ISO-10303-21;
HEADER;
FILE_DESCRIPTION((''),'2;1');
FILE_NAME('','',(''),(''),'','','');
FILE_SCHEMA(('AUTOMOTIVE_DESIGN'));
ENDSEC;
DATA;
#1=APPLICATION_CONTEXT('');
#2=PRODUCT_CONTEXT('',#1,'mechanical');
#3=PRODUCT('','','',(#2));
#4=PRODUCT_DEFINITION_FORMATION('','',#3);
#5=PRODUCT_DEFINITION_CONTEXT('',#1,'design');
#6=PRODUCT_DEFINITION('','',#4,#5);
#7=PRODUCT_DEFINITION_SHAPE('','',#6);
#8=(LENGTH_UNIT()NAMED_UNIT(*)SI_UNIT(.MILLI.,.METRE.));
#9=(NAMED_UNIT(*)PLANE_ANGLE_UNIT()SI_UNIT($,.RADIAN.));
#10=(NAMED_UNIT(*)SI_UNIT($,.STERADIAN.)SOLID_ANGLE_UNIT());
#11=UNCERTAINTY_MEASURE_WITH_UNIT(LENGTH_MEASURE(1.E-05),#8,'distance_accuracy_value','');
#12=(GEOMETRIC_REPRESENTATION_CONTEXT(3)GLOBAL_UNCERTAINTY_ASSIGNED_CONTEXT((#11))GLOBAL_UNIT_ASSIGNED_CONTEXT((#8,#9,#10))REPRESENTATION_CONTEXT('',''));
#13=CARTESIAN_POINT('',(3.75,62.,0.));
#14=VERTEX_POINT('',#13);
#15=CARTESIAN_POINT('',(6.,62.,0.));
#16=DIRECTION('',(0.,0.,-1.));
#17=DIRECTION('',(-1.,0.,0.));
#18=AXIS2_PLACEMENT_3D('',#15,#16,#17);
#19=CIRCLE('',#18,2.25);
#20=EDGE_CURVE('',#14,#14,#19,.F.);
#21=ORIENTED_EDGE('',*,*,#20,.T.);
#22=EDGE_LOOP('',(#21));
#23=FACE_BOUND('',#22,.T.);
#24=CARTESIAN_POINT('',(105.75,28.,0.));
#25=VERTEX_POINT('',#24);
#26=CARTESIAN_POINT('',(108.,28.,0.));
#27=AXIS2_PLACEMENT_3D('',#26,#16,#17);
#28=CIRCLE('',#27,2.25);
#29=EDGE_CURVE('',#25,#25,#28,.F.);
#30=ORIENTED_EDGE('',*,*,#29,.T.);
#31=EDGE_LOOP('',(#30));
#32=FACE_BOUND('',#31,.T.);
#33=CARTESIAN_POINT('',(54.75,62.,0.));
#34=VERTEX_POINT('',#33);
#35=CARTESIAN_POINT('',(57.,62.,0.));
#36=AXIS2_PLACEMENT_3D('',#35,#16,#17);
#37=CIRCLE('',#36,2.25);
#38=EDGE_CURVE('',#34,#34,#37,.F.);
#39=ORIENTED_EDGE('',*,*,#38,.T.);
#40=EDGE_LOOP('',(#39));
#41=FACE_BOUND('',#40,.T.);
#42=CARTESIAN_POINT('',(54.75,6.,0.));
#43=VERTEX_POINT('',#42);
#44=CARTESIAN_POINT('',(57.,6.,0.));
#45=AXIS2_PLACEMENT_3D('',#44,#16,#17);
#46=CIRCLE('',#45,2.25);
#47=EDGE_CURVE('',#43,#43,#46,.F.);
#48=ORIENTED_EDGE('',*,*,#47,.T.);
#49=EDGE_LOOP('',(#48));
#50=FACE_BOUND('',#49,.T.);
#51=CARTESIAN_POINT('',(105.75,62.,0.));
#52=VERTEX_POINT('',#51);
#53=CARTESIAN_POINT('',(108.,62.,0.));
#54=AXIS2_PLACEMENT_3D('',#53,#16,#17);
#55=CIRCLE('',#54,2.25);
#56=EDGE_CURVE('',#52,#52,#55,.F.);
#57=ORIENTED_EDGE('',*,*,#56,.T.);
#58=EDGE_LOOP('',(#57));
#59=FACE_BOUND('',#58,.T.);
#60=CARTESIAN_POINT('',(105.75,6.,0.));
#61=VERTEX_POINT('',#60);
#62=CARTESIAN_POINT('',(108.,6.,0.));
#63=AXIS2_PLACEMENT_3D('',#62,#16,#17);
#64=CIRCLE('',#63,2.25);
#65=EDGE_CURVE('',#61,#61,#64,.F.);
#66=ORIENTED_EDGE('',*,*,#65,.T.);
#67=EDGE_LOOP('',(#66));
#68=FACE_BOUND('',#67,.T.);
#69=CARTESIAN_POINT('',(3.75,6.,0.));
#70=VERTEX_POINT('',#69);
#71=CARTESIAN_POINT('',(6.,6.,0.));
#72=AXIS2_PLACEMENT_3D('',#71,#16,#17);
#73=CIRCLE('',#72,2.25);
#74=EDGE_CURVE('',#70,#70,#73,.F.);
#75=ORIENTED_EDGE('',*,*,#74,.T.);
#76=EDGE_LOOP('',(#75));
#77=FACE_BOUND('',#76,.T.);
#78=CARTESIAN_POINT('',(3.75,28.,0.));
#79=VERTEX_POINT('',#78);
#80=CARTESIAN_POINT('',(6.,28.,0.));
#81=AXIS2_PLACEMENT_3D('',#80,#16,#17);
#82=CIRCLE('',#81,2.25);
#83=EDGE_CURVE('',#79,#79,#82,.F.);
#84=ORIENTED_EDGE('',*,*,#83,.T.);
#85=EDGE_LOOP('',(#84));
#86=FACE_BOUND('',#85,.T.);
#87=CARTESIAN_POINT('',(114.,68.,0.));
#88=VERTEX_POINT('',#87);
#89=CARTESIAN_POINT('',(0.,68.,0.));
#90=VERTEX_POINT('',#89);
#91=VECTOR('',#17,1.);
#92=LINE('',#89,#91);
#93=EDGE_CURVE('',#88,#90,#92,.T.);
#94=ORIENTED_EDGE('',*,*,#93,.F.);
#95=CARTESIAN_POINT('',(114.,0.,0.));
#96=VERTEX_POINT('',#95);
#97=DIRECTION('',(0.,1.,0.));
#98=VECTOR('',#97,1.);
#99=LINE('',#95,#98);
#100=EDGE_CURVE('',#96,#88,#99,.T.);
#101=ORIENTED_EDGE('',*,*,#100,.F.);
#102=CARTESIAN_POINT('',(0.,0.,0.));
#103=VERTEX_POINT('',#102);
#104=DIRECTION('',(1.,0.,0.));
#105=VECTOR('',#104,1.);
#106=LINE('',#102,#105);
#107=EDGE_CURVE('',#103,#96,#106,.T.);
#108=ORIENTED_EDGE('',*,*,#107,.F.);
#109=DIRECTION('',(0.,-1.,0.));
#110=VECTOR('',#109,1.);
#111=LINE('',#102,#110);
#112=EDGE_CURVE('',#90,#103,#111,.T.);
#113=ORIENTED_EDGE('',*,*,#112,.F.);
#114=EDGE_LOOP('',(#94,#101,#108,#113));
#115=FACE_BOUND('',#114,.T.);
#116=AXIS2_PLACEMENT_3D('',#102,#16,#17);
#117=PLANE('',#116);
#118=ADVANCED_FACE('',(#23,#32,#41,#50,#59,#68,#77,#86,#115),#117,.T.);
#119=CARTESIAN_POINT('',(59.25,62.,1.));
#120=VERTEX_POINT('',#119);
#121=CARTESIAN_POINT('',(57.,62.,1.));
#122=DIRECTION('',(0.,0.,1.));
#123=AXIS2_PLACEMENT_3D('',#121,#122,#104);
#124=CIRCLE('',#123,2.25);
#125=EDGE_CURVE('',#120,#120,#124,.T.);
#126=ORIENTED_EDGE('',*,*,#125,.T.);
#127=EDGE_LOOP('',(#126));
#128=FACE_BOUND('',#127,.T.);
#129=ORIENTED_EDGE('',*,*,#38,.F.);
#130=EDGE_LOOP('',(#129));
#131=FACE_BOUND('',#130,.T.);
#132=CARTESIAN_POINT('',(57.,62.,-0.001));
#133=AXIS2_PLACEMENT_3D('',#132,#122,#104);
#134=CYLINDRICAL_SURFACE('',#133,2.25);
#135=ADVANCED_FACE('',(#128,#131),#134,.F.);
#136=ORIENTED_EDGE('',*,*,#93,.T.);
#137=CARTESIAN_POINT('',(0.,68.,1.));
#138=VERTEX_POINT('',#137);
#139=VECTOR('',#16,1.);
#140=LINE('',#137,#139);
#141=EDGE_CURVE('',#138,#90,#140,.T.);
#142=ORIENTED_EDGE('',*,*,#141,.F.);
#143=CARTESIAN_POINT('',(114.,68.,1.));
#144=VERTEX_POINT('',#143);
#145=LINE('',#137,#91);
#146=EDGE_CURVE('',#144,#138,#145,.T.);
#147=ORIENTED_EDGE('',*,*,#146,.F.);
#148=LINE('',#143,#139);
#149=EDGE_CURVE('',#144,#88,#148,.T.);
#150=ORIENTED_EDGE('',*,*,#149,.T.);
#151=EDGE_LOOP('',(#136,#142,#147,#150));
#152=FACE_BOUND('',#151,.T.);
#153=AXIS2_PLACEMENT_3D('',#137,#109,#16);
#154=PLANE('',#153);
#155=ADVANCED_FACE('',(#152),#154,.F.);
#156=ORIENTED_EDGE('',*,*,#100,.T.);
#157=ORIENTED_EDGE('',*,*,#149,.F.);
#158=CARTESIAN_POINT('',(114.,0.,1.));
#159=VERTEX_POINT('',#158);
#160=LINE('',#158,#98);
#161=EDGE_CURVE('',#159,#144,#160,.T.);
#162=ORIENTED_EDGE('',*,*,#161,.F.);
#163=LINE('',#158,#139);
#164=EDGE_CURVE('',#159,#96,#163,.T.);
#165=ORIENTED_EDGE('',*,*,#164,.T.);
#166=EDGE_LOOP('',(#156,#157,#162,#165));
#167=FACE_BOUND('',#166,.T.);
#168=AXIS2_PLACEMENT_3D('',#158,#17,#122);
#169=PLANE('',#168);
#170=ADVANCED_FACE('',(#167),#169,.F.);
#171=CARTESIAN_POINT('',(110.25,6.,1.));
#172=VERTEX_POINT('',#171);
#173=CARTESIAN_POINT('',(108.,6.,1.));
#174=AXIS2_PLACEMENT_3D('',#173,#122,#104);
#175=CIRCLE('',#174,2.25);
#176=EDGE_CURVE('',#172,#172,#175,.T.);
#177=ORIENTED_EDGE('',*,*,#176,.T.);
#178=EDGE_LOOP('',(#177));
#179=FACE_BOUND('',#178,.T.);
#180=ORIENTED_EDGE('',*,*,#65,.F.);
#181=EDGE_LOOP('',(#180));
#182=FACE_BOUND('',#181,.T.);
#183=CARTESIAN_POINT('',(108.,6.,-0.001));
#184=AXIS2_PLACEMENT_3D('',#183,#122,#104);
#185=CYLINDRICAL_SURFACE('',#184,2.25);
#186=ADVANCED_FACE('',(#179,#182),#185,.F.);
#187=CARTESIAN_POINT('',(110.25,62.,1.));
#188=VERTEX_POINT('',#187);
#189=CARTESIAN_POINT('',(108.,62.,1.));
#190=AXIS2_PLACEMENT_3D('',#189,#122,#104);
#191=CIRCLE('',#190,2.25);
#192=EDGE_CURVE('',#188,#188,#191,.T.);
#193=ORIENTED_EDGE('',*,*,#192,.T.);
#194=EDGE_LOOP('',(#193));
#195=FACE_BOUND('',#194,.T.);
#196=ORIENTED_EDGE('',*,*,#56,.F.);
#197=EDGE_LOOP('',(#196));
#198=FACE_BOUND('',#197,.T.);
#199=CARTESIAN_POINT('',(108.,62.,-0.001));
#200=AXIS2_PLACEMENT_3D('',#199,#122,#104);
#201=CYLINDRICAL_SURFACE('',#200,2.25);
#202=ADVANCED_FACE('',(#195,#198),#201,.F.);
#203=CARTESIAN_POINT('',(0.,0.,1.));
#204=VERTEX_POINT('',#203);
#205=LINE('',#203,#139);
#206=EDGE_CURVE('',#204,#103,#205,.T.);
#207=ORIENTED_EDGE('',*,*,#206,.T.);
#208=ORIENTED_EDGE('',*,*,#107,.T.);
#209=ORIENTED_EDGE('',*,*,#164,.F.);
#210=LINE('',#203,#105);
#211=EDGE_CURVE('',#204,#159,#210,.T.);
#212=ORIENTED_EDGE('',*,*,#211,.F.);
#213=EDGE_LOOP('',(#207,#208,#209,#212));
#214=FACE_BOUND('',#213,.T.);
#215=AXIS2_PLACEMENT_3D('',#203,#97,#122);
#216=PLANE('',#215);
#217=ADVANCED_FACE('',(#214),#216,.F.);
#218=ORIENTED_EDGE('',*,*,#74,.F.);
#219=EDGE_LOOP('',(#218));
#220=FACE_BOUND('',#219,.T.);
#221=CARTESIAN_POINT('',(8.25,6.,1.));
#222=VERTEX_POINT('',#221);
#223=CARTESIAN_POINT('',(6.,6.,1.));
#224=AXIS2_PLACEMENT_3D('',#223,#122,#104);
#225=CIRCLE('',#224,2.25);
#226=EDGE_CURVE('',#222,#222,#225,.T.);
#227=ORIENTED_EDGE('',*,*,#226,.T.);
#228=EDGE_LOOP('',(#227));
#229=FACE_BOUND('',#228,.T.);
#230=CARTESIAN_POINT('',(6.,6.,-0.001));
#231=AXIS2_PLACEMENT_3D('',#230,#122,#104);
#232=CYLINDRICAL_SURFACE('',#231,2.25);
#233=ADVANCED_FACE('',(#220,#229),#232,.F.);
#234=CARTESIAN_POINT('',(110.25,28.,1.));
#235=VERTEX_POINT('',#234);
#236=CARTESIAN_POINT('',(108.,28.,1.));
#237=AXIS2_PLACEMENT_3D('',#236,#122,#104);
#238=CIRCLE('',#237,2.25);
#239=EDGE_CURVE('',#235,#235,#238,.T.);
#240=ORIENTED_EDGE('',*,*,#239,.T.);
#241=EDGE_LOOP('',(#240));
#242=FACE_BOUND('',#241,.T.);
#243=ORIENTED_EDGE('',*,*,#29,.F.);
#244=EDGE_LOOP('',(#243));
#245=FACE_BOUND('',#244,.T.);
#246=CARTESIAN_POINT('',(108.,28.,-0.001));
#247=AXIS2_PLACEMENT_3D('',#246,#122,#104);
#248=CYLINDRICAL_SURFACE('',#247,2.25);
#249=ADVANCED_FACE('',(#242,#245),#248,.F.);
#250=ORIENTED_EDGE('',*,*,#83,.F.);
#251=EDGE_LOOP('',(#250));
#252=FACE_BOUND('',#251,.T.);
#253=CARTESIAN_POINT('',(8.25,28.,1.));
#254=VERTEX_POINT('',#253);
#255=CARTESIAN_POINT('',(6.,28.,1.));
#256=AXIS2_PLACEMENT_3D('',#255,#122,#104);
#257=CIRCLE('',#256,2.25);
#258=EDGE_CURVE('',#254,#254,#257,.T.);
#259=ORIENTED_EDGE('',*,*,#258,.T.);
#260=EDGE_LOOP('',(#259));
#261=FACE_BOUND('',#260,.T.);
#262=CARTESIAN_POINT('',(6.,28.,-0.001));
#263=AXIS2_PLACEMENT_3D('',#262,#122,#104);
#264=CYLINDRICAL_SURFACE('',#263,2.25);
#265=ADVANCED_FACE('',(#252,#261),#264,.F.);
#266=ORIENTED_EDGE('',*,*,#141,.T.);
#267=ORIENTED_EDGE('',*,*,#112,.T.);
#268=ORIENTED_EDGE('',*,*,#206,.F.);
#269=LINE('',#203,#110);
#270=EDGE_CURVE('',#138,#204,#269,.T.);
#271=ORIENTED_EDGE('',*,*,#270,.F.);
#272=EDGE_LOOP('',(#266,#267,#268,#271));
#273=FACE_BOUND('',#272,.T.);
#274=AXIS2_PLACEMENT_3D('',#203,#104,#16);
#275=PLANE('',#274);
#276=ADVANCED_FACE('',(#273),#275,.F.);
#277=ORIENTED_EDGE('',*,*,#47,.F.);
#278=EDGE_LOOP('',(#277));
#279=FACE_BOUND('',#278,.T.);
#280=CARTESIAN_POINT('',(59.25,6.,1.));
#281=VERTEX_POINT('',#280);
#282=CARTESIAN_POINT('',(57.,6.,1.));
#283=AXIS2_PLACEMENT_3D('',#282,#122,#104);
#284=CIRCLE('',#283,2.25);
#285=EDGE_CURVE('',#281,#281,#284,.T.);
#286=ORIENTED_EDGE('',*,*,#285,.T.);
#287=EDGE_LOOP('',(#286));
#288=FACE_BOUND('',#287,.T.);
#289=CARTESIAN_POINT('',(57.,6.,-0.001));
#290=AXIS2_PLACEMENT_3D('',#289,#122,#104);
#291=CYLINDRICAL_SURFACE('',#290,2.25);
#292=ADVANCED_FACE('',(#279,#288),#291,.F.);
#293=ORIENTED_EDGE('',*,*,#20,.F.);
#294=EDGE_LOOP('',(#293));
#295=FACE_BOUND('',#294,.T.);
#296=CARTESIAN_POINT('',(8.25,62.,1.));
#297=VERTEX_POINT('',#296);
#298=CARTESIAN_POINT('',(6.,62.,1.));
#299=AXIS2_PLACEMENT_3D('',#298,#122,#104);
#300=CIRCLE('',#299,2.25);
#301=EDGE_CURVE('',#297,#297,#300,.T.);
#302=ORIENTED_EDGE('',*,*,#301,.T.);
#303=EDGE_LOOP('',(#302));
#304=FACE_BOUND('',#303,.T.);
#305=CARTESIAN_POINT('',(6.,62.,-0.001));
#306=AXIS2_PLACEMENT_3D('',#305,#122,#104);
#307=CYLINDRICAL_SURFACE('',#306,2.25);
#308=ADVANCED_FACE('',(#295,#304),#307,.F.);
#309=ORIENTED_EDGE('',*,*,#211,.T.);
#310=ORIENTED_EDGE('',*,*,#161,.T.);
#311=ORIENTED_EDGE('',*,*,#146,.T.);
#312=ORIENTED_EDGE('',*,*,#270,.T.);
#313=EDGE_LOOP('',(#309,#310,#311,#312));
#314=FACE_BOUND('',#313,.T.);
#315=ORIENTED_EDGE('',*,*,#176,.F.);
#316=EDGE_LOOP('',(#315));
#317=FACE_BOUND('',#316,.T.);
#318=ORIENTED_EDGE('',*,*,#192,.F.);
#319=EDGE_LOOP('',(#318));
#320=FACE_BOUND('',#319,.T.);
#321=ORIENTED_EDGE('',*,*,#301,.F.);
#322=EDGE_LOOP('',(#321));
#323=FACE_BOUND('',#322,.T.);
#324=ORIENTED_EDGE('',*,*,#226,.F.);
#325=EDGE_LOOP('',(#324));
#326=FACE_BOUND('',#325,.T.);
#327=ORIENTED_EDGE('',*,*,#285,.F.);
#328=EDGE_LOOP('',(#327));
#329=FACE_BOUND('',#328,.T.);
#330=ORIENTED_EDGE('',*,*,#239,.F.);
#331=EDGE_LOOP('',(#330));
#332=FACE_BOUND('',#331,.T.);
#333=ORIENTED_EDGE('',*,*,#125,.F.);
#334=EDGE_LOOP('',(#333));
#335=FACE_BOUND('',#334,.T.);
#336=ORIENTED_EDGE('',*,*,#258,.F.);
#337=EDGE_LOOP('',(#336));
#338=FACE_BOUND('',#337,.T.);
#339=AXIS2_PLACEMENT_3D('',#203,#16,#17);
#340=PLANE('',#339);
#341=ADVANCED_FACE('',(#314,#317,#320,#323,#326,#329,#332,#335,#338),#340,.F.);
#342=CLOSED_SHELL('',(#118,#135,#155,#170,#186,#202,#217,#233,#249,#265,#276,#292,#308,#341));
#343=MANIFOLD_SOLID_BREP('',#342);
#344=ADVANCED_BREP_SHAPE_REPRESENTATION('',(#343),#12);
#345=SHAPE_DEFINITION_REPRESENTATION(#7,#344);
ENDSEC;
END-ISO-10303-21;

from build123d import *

# Parameters (mm, degrees)
SKETCH_1_W          = 114
SKETCH_1_H          = 68
EXTRUDE_1_DEPTH     = 1
CUT_EXTRUDE_1_REACH = 3
SKETCH_2_R          = 2.25


with BuildPart() as part:
    # Эскиз1 → Бобышка-Вытянуть1 (new body)
    with BuildSketch(Plane.XY):
        with Locations((57, 34)):
            Rectangle(SKETCH_1_W, SKETCH_1_H)
    extrude(amount=EXTRUDE_1_DEPTH)

    # Эскиз2 → Вырез-Вытянуть1 (cut, up to next)
    with BuildSketch(Plane.XY.offset(1), mode=Mode.PRIVATE) as cut_extrude_1_sk1:
        with Locations((6, 62)):
            Circle(SKETCH_2_R)
    cut_extrude_1_tool1 = extrude(cut_extrude_1_sk1.sketch, amount=-CUT_EXTRUDE_1_REACH, mode=Mode.PRIVATE) & part.part
    add(cut_extrude_1_tool1.solids().sort_by_distance((6, 62, 1))[0], mode=Mode.SUBTRACT)
    # Эскиз2 → Вырез-Вытянуть1 (cut, up to next)
    with BuildSketch(Plane.XY.offset(1), mode=Mode.PRIVATE) as cut_extrude_1_sk2:
        with Locations((6, 28)):
            Circle(SKETCH_2_R)
    cut_extrude_1_tool2 = extrude(cut_extrude_1_sk2.sketch, amount=-CUT_EXTRUDE_1_REACH, mode=Mode.PRIVATE) & part.part
    add(cut_extrude_1_tool2.solids().sort_by_distance((6, 28, 1))[0], mode=Mode.SUBTRACT)
    # Эскиз2 → Вырез-Вытянуть1 (cut, up to next)
    with BuildSketch(Plane.XY.offset(1), mode=Mode.PRIVATE) as cut_extrude_1_sk3:
        with Locations((6, 6)):
            Circle(SKETCH_2_R)
    cut_extrude_1_tool3 = extrude(cut_extrude_1_sk3.sketch, amount=-CUT_EXTRUDE_1_REACH, mode=Mode.PRIVATE) & part.part
    add(cut_extrude_1_tool3.solids().sort_by_distance((6, 6, 1))[0], mode=Mode.SUBTRACT)
    # Эскиз2 → Вырез-Вытянуть1 (cut, up to next)
    with BuildSketch(Plane.XY.offset(1), mode=Mode.PRIVATE) as cut_extrude_1_sk4:
        with Locations((57, 6)):
            Circle(SKETCH_2_R)
    cut_extrude_1_tool4 = extrude(cut_extrude_1_sk4.sketch, amount=-CUT_EXTRUDE_1_REACH, mode=Mode.PRIVATE) & part.part
    add(cut_extrude_1_tool4.solids().sort_by_distance((57, 6, 1))[0], mode=Mode.SUBTRACT)
    # Эскиз2 → Вырез-Вытянуть1 (cut, up to next)
    with BuildSketch(Plane.XY.offset(1), mode=Mode.PRIVATE) as cut_extrude_1_sk5:
        with Locations((57, 62)):
            Circle(SKETCH_2_R)
    cut_extrude_1_tool5 = extrude(cut_extrude_1_sk5.sketch, amount=-CUT_EXTRUDE_1_REACH, mode=Mode.PRIVATE) & part.part
    add(cut_extrude_1_tool5.solids().sort_by_distance((57, 62, 1))[0], mode=Mode.SUBTRACT)
    # Эскиз2 → Вырез-Вытянуть1 (cut, up to next)
    with BuildSketch(Plane.XY.offset(1), mode=Mode.PRIVATE) as cut_extrude_1_sk6:
        with Locations((108, 62)):
            Circle(SKETCH_2_R)
    cut_extrude_1_tool6 = extrude(cut_extrude_1_sk6.sketch, amount=-CUT_EXTRUDE_1_REACH, mode=Mode.PRIVATE) & part.part
    add(cut_extrude_1_tool6.solids().sort_by_distance((108, 62, 1))[0], mode=Mode.SUBTRACT)
    # Эскиз2 → Вырез-Вытянуть1 (cut, up to next)
    with BuildSketch(Plane.XY.offset(1), mode=Mode.PRIVATE) as cut_extrude_1_sk7:
        with Locations((108, 28)):
            Circle(SKETCH_2_R)
    cut_extrude_1_tool7 = extrude(cut_extrude_1_sk7.sketch, amount=-CUT_EXTRUDE_1_REACH, mode=Mode.PRIVATE) & part.part
    add(cut_extrude_1_tool7.solids().sort_by_distance((108, 28, 1))[0], mode=Mode.SUBTRACT)
    # Эскиз2 → Вырез-Вытянуть1 (cut, up to next)
    with BuildSketch(Plane.XY.offset(1), mode=Mode.PRIVATE) as cut_extrude_1_sk8:
        with Locations((108, 6)):
            Circle(SKETCH_2_R)
    cut_extrude_1_tool8 = extrude(cut_extrude_1_sk8.sketch, amount=-CUT_EXTRUDE_1_REACH, mode=Mode.PRIVATE) & part.part
    add(cut_extrude_1_tool8.solids().sort_by_distance((108, 6, 1))[0], mode=Mode.SUBTRACT)


solid = part.part
